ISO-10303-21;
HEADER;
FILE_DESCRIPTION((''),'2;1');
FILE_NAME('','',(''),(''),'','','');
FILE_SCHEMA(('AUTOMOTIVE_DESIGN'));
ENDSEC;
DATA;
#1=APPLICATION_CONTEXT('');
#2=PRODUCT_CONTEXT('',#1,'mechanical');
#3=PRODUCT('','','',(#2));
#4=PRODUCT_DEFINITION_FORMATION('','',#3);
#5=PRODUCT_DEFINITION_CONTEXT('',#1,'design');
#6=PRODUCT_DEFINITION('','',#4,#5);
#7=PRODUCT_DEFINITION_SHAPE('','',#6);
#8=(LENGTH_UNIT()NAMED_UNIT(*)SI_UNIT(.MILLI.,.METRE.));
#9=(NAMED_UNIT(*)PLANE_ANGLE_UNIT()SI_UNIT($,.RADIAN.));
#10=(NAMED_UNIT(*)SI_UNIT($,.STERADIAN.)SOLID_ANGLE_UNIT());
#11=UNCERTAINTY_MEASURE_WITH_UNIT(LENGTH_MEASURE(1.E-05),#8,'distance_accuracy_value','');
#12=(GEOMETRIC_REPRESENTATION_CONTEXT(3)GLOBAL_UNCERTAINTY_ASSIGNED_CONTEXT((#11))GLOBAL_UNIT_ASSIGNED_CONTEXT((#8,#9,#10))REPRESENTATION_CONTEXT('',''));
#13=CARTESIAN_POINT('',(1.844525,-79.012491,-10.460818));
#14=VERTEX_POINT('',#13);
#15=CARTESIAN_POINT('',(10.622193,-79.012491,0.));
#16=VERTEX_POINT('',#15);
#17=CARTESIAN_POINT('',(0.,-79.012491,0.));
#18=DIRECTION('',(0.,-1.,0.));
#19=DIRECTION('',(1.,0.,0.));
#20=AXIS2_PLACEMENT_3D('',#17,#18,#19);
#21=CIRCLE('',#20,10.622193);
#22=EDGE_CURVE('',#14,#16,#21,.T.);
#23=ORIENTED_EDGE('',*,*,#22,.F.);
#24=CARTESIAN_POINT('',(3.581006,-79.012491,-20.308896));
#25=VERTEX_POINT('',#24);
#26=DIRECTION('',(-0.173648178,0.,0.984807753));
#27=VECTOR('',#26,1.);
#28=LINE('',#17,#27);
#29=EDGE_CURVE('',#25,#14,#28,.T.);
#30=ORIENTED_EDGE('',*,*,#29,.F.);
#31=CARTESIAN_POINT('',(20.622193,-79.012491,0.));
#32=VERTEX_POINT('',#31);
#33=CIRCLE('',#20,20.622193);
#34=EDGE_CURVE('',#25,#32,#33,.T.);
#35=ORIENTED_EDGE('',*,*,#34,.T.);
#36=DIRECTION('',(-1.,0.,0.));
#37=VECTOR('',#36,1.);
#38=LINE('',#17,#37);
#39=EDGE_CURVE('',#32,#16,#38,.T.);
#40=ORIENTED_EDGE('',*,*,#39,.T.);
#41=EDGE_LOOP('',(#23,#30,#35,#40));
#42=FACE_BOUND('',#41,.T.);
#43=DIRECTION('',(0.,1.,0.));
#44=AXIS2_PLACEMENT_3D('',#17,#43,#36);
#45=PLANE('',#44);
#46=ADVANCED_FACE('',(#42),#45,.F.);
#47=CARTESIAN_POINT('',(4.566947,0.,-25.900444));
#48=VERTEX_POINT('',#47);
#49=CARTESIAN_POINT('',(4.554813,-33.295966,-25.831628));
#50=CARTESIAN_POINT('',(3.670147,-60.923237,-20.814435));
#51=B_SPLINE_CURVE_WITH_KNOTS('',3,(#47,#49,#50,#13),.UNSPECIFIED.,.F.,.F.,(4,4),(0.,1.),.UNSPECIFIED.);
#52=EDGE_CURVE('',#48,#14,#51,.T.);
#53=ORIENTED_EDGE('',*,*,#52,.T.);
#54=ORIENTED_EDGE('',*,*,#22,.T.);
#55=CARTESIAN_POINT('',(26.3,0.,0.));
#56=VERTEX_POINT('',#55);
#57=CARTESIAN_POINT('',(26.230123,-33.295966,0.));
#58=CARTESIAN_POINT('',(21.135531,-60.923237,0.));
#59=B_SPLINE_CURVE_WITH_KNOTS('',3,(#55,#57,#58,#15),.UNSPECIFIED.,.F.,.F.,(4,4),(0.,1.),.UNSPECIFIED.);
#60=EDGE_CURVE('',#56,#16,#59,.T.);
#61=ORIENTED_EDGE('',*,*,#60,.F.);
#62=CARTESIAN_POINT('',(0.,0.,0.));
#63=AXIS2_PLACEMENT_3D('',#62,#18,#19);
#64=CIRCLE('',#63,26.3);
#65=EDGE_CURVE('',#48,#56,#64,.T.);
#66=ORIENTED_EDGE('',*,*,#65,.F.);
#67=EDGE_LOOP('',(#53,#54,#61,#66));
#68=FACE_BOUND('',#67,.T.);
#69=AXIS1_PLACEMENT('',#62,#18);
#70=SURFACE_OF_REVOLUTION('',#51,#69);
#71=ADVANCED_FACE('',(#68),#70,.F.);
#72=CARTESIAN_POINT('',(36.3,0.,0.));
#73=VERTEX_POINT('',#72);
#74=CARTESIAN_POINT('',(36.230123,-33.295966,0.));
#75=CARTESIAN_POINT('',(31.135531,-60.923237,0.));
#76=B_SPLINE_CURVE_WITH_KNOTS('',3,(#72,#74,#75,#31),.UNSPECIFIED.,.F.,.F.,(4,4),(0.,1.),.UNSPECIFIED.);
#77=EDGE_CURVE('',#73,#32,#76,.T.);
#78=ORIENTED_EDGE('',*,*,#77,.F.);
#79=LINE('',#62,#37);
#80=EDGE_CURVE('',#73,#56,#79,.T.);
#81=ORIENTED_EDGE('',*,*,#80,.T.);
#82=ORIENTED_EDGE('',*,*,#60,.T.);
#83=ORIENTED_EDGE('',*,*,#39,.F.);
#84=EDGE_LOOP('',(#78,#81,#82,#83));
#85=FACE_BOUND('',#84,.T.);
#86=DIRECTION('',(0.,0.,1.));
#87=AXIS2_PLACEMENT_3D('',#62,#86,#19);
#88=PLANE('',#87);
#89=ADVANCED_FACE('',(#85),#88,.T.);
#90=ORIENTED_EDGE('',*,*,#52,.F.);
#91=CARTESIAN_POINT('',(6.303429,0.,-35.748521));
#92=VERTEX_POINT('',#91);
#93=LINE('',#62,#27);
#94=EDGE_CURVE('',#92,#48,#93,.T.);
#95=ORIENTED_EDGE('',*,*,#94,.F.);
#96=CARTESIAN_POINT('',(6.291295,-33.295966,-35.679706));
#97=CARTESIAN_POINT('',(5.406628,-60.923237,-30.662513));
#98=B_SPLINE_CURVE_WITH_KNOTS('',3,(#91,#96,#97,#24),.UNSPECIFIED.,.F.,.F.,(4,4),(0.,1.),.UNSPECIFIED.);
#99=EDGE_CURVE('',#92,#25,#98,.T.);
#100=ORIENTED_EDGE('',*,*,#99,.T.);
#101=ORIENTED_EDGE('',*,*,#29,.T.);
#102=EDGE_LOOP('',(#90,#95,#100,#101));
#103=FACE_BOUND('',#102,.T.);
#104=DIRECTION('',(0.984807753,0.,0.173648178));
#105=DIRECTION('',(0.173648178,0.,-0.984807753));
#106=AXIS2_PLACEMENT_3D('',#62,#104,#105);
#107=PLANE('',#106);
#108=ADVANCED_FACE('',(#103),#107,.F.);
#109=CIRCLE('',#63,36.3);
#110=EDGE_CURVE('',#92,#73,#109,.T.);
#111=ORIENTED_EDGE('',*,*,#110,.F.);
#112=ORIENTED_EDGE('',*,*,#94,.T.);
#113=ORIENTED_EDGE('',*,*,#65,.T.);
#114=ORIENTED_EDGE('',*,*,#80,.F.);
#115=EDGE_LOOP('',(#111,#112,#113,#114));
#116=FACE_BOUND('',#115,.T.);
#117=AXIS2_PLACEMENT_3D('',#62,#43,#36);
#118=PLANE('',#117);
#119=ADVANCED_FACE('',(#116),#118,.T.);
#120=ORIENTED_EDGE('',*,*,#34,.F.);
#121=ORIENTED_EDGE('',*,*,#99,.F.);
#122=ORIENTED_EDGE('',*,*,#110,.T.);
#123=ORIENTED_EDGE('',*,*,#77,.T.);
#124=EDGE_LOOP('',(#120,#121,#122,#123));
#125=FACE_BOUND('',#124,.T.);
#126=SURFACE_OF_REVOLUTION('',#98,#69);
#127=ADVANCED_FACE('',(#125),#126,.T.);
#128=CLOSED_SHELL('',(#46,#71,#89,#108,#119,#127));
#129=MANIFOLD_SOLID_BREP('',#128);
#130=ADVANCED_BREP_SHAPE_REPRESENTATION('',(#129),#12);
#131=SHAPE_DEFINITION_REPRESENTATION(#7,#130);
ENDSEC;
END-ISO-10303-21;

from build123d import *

# Parameters (mm, degrees)
REVOLVE1_ANGLE = 80


with BuildPart() as part:
    # Sketch1 → Revolve1 (revolve)
    with BuildSketch(Plane.XY):
        with BuildLine():
            add(Edge.make_bspline(
                [(36.3, 0), (36.23012255, -33.295965617), (31.135531418, -60.923236963), (20.622193476, -79.012490903)],
                knots=[0, 0, 0, 0, 1, 1, 1, 1], degree=3))
            Line((20.622193476, -79.012490903), (10.622193476, -79.012490903))
            add(Edge.make_bspline(
                [(26.3, 0), (26.23012255, -33.295965617), (21.135531418, -60.923236963), (10.622193476, -79.012490903)],
                knots=[0, 0, 0, 0, 1, 1, 1, 1], degree=3))
            Line((26.3, 0), (36.3, 0))
        make_face()
    revolve(axis=Axis((0, 0, 0), (0, 1, 0)), revolution_arc=REVOLVE1_ANGLE)


solid = part.part
